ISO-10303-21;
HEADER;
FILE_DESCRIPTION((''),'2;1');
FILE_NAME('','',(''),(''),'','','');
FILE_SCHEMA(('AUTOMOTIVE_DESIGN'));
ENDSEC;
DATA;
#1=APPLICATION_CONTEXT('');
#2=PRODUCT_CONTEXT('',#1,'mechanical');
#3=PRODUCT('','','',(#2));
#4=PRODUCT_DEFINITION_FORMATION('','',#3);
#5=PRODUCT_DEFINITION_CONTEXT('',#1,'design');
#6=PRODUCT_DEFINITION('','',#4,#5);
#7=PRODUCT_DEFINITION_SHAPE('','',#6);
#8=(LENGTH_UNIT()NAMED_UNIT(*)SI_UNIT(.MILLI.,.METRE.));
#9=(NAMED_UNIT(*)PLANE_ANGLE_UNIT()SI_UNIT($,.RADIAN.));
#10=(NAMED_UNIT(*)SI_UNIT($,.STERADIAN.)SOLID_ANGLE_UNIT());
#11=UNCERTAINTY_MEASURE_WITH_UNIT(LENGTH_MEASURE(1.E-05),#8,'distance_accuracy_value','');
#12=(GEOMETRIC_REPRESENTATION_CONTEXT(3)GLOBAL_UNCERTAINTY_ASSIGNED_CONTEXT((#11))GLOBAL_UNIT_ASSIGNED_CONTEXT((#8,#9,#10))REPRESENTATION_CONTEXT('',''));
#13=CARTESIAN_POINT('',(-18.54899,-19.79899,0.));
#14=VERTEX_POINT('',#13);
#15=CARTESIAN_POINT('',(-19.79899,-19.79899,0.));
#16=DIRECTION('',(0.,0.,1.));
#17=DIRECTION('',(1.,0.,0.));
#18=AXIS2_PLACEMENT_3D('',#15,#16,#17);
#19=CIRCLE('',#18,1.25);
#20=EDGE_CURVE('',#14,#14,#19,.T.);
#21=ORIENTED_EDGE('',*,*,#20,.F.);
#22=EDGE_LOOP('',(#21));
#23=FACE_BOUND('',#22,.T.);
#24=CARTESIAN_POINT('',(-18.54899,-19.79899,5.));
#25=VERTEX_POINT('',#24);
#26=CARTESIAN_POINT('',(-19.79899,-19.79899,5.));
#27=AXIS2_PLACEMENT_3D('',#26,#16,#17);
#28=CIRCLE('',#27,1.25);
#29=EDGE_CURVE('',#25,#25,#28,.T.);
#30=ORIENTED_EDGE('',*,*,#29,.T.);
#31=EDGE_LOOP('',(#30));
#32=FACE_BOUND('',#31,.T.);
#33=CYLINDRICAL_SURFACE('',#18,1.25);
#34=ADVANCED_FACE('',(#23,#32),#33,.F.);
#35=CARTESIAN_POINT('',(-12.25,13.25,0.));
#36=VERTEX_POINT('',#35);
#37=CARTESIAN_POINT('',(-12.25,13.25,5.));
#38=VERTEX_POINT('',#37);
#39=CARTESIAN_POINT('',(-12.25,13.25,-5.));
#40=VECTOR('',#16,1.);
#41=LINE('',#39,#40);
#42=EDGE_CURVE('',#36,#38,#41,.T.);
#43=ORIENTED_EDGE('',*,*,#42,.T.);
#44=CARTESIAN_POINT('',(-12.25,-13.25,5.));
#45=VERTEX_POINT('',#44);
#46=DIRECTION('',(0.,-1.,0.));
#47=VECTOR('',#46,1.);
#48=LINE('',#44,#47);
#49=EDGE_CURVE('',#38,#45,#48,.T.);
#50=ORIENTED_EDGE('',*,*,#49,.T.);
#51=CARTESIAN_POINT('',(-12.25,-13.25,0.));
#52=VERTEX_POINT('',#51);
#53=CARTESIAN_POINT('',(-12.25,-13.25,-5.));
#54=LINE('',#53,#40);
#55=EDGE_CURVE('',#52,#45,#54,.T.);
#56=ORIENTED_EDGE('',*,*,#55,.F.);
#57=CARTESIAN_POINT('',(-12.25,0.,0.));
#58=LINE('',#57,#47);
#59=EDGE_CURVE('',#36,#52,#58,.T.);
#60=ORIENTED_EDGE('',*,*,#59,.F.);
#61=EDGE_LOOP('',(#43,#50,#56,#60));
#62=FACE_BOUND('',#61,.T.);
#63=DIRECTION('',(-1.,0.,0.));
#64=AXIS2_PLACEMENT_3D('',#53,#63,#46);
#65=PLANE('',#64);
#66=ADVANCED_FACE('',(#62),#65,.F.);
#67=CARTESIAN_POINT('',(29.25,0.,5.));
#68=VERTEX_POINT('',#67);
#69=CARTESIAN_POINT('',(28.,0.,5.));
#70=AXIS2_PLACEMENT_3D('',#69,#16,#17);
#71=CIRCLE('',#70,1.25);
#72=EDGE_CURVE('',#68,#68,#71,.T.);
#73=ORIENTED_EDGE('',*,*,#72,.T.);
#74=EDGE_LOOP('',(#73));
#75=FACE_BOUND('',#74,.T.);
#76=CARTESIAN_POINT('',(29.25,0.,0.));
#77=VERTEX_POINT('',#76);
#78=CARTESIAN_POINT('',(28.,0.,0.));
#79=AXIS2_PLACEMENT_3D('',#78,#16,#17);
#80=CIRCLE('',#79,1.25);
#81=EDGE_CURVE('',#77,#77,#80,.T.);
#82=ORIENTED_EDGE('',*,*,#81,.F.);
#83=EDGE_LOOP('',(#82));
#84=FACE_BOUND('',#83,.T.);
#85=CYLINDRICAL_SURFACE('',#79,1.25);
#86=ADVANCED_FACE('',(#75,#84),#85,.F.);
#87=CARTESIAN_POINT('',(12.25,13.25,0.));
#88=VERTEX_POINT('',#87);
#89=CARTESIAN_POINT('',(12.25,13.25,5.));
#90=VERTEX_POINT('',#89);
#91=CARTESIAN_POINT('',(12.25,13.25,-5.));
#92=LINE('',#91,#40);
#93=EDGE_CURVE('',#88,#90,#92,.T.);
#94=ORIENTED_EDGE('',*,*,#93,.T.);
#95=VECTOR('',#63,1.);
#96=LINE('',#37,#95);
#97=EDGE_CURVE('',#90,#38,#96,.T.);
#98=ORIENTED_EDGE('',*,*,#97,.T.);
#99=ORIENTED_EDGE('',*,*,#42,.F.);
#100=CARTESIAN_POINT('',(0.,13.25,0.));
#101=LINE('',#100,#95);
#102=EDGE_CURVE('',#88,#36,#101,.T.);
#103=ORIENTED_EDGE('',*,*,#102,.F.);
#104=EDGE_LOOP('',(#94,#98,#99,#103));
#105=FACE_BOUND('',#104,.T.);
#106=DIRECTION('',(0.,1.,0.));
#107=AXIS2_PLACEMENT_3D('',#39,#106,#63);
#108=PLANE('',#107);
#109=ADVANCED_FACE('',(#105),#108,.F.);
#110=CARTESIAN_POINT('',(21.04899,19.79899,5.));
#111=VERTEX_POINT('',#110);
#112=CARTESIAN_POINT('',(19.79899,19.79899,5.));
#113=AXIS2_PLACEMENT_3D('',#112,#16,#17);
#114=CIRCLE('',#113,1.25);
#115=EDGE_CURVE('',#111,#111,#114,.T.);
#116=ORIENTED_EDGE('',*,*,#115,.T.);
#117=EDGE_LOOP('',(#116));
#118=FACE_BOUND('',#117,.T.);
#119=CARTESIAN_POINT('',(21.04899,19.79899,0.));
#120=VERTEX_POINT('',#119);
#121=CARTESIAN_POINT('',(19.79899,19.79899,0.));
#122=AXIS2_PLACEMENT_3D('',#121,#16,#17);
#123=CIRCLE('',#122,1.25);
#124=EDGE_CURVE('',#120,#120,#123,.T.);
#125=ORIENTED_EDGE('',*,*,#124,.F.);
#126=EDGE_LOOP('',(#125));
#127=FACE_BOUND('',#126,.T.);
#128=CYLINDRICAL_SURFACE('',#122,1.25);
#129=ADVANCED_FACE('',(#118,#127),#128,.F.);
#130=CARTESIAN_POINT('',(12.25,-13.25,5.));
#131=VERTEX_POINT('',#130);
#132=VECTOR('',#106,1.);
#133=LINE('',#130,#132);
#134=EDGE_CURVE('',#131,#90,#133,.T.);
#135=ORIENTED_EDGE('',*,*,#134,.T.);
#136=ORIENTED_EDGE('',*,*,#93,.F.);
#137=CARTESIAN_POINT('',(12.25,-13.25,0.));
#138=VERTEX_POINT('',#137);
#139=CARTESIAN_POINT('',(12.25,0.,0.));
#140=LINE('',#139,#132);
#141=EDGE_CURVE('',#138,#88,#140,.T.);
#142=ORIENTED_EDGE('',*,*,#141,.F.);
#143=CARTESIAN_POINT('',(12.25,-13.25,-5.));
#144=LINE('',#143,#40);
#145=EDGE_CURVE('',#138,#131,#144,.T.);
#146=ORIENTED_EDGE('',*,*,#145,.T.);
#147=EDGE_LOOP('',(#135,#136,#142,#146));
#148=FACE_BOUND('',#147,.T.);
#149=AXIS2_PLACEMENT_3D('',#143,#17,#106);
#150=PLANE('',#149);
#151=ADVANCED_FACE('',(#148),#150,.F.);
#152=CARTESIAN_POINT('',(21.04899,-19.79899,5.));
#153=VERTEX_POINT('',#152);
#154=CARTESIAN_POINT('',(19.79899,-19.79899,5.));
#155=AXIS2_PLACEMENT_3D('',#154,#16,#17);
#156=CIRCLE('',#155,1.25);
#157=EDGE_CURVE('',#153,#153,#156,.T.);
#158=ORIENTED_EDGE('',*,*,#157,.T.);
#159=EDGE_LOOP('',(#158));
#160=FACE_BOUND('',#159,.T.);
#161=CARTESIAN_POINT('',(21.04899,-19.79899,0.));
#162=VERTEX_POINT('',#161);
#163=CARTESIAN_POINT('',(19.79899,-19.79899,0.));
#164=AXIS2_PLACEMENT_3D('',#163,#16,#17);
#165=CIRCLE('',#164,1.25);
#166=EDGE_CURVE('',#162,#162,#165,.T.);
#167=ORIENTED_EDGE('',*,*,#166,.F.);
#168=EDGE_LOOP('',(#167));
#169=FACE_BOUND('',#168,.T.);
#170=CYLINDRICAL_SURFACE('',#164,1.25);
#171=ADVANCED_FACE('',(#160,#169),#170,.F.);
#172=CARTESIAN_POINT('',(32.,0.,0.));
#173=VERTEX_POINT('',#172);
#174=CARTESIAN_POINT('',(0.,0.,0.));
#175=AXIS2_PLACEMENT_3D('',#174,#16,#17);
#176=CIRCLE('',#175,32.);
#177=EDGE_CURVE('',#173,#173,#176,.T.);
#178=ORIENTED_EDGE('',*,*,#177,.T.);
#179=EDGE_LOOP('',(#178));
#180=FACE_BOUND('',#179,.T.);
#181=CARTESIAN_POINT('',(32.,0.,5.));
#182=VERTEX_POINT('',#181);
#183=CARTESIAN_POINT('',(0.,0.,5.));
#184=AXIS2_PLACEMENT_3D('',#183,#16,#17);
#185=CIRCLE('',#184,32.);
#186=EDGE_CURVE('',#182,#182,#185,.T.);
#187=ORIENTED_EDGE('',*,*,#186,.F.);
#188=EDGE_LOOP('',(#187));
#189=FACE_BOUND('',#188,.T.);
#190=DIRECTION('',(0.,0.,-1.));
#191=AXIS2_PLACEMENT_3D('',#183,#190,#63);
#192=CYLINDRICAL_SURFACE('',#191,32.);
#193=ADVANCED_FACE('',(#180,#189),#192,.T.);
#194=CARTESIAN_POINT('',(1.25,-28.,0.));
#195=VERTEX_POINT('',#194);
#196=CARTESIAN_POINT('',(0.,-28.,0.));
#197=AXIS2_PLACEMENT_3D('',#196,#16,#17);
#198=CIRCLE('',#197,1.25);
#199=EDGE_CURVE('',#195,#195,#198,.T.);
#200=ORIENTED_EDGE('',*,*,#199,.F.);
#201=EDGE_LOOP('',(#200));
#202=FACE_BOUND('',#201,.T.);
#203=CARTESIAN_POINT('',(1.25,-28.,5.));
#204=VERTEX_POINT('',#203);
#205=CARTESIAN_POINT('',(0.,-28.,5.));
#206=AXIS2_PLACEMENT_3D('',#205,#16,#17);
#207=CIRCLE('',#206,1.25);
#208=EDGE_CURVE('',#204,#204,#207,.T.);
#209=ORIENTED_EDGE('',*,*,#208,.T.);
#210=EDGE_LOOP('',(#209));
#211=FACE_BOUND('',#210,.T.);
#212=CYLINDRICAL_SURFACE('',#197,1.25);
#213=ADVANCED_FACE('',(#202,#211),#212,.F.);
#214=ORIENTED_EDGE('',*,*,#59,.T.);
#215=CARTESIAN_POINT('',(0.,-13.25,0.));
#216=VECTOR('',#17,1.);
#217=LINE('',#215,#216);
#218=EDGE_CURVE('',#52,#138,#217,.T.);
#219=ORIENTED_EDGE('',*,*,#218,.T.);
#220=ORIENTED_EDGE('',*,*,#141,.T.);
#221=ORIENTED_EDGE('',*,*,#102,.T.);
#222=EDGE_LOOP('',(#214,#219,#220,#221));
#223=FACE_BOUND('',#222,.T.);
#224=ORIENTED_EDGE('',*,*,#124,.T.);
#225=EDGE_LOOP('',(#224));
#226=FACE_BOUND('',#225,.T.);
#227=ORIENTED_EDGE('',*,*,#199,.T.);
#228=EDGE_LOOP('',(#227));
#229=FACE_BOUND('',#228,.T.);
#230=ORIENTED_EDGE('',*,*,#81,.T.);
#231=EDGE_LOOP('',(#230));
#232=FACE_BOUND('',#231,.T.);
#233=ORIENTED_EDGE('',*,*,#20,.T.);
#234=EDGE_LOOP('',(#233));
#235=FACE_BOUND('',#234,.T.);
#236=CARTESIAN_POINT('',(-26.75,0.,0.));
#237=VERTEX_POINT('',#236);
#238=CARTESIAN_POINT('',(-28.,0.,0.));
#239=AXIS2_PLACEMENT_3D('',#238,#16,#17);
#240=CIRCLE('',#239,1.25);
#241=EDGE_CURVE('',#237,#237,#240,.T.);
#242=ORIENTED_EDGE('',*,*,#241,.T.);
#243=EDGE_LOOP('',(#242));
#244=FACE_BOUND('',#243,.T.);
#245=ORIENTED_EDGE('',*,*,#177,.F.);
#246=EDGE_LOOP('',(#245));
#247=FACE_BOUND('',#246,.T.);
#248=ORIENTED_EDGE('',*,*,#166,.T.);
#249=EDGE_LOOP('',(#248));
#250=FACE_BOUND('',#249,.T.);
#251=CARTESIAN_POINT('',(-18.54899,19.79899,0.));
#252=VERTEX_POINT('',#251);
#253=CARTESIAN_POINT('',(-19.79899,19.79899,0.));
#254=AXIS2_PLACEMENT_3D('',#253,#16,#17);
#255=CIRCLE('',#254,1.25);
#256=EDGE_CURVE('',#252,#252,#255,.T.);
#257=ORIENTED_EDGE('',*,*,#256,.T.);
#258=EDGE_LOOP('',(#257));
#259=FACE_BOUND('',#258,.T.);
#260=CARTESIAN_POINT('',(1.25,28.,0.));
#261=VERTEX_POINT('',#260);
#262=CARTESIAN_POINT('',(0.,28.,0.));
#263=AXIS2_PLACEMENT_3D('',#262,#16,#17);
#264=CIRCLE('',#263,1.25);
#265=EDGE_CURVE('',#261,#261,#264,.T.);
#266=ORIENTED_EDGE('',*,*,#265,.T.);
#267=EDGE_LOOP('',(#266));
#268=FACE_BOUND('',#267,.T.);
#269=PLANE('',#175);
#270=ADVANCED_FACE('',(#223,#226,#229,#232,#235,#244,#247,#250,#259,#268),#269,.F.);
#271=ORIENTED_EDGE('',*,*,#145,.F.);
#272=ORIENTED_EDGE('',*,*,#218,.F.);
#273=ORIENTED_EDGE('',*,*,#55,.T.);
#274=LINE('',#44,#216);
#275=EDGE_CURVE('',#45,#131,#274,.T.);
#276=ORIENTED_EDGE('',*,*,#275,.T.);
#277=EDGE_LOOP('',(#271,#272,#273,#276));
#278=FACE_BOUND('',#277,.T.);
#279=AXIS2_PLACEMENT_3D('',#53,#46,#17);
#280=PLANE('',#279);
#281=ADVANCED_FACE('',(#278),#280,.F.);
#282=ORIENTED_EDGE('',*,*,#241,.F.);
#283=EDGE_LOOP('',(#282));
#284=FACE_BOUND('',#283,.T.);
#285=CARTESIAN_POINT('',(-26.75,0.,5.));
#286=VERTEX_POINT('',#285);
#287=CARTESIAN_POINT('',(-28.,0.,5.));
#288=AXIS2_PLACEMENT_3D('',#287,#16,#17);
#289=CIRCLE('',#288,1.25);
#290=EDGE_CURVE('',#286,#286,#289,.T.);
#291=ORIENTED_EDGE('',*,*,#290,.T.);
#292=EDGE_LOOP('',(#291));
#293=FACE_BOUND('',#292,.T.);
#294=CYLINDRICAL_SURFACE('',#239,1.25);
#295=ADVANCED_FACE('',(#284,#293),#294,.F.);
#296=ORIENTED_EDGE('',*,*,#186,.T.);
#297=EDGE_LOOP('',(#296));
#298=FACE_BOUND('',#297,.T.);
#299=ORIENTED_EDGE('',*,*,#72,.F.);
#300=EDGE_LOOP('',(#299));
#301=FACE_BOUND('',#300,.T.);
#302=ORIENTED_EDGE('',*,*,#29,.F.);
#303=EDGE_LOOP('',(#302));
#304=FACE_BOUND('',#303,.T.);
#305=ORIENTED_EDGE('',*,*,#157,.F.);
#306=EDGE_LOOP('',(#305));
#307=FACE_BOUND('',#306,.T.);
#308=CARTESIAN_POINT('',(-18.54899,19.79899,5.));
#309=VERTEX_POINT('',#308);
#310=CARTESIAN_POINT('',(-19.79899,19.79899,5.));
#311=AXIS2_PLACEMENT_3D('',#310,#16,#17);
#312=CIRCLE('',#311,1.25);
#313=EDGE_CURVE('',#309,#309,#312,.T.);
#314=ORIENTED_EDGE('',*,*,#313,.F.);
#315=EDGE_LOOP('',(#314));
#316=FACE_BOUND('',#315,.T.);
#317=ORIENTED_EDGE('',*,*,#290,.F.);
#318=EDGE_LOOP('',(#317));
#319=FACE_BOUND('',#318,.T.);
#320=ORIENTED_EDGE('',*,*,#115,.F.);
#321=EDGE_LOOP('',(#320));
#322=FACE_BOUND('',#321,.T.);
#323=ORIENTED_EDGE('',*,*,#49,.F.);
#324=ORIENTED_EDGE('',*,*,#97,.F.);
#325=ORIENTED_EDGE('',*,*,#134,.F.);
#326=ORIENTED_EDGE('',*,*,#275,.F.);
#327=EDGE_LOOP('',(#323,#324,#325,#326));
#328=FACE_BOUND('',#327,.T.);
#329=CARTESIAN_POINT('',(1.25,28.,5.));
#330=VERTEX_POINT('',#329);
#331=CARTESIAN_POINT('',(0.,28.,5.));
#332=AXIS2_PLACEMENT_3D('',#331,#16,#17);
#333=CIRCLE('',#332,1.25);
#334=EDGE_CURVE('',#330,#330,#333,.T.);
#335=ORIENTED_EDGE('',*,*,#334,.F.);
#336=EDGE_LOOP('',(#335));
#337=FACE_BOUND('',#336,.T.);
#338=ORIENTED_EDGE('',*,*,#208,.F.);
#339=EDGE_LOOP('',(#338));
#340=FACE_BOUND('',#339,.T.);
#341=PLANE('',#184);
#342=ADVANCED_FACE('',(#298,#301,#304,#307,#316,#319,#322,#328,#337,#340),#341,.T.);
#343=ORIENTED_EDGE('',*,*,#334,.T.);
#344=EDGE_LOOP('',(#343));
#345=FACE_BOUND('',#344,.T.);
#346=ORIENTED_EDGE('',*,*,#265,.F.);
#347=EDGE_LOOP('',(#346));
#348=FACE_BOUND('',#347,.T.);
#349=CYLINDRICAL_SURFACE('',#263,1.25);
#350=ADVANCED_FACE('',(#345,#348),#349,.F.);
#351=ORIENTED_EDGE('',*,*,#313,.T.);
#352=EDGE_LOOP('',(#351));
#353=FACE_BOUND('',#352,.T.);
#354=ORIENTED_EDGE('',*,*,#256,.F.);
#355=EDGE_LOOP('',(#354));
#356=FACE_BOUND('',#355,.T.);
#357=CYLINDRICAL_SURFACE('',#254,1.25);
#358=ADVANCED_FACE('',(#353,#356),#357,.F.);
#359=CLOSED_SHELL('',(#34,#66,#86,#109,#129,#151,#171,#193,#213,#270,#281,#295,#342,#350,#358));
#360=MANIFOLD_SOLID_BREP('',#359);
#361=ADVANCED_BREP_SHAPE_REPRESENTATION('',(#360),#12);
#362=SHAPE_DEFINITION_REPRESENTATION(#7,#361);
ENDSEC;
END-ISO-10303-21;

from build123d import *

# Parameters (mm, degrees)
CROQUIS1_R              = 32
SALIENTE_EXTRUIR1_DEPTH = 5
CROQUIS2_R              = 1.25
CORTAR_EXTRUIR1_DEPTH   = 46.530209751
CROQUIS3_W              = 24.5
CROQUIS3_H              = 26.5
CORTAR_EXTRUIR2_DEPTH   = 10


with BuildPart() as part:
    # Croquis1 → Saliente-Extruir1 (new body)
    with BuildSketch(Plane.XY):
        Circle(CROQUIS1_R)
    extrude(amount=SALIENTE_EXTRUIR1_DEPTH)

    # Croquis2 → Cortar-Extruir1 (cut, through all)
    with BuildSketch(Plane.XY.offset(5)):
        with Locations((0, 28)):
            Circle(CROQUIS2_R)
        with Locations((19.798989873, 19.798989873)):
            Circle(CROQUIS2_R)
        with Locations((28, 0)):
            Circle(CROQUIS2_R)
        with Locations((19.798989873, -19.798989873)):
            Circle(CROQUIS2_R)
        with Locations((0, -28)):
            Circle(CROQUIS2_R)
        with Locations((-19.798989873, -19.798989873)):
            Circle(CROQUIS2_R)
        with Locations((-28, 0)):
            Circle(CROQUIS2_R)
        with Locations((-19.798989873, 19.798989873)):
            Circle(CROQUIS2_R)
    extrude(amount=-CORTAR_EXTRUIR1_DEPTH, mode=Mode.SUBTRACT)

    # Croquis3 → Cortar-Extruir2 (cut)
    with BuildSketch(Plane.XY.offset(5)):
        Rectangle(CROQUIS3_W, CROQUIS3_H)
    extrude(amount=-CORTAR_EXTRUIR2_DEPTH, mode=Mode.SUBTRACT)


solid = part.part
